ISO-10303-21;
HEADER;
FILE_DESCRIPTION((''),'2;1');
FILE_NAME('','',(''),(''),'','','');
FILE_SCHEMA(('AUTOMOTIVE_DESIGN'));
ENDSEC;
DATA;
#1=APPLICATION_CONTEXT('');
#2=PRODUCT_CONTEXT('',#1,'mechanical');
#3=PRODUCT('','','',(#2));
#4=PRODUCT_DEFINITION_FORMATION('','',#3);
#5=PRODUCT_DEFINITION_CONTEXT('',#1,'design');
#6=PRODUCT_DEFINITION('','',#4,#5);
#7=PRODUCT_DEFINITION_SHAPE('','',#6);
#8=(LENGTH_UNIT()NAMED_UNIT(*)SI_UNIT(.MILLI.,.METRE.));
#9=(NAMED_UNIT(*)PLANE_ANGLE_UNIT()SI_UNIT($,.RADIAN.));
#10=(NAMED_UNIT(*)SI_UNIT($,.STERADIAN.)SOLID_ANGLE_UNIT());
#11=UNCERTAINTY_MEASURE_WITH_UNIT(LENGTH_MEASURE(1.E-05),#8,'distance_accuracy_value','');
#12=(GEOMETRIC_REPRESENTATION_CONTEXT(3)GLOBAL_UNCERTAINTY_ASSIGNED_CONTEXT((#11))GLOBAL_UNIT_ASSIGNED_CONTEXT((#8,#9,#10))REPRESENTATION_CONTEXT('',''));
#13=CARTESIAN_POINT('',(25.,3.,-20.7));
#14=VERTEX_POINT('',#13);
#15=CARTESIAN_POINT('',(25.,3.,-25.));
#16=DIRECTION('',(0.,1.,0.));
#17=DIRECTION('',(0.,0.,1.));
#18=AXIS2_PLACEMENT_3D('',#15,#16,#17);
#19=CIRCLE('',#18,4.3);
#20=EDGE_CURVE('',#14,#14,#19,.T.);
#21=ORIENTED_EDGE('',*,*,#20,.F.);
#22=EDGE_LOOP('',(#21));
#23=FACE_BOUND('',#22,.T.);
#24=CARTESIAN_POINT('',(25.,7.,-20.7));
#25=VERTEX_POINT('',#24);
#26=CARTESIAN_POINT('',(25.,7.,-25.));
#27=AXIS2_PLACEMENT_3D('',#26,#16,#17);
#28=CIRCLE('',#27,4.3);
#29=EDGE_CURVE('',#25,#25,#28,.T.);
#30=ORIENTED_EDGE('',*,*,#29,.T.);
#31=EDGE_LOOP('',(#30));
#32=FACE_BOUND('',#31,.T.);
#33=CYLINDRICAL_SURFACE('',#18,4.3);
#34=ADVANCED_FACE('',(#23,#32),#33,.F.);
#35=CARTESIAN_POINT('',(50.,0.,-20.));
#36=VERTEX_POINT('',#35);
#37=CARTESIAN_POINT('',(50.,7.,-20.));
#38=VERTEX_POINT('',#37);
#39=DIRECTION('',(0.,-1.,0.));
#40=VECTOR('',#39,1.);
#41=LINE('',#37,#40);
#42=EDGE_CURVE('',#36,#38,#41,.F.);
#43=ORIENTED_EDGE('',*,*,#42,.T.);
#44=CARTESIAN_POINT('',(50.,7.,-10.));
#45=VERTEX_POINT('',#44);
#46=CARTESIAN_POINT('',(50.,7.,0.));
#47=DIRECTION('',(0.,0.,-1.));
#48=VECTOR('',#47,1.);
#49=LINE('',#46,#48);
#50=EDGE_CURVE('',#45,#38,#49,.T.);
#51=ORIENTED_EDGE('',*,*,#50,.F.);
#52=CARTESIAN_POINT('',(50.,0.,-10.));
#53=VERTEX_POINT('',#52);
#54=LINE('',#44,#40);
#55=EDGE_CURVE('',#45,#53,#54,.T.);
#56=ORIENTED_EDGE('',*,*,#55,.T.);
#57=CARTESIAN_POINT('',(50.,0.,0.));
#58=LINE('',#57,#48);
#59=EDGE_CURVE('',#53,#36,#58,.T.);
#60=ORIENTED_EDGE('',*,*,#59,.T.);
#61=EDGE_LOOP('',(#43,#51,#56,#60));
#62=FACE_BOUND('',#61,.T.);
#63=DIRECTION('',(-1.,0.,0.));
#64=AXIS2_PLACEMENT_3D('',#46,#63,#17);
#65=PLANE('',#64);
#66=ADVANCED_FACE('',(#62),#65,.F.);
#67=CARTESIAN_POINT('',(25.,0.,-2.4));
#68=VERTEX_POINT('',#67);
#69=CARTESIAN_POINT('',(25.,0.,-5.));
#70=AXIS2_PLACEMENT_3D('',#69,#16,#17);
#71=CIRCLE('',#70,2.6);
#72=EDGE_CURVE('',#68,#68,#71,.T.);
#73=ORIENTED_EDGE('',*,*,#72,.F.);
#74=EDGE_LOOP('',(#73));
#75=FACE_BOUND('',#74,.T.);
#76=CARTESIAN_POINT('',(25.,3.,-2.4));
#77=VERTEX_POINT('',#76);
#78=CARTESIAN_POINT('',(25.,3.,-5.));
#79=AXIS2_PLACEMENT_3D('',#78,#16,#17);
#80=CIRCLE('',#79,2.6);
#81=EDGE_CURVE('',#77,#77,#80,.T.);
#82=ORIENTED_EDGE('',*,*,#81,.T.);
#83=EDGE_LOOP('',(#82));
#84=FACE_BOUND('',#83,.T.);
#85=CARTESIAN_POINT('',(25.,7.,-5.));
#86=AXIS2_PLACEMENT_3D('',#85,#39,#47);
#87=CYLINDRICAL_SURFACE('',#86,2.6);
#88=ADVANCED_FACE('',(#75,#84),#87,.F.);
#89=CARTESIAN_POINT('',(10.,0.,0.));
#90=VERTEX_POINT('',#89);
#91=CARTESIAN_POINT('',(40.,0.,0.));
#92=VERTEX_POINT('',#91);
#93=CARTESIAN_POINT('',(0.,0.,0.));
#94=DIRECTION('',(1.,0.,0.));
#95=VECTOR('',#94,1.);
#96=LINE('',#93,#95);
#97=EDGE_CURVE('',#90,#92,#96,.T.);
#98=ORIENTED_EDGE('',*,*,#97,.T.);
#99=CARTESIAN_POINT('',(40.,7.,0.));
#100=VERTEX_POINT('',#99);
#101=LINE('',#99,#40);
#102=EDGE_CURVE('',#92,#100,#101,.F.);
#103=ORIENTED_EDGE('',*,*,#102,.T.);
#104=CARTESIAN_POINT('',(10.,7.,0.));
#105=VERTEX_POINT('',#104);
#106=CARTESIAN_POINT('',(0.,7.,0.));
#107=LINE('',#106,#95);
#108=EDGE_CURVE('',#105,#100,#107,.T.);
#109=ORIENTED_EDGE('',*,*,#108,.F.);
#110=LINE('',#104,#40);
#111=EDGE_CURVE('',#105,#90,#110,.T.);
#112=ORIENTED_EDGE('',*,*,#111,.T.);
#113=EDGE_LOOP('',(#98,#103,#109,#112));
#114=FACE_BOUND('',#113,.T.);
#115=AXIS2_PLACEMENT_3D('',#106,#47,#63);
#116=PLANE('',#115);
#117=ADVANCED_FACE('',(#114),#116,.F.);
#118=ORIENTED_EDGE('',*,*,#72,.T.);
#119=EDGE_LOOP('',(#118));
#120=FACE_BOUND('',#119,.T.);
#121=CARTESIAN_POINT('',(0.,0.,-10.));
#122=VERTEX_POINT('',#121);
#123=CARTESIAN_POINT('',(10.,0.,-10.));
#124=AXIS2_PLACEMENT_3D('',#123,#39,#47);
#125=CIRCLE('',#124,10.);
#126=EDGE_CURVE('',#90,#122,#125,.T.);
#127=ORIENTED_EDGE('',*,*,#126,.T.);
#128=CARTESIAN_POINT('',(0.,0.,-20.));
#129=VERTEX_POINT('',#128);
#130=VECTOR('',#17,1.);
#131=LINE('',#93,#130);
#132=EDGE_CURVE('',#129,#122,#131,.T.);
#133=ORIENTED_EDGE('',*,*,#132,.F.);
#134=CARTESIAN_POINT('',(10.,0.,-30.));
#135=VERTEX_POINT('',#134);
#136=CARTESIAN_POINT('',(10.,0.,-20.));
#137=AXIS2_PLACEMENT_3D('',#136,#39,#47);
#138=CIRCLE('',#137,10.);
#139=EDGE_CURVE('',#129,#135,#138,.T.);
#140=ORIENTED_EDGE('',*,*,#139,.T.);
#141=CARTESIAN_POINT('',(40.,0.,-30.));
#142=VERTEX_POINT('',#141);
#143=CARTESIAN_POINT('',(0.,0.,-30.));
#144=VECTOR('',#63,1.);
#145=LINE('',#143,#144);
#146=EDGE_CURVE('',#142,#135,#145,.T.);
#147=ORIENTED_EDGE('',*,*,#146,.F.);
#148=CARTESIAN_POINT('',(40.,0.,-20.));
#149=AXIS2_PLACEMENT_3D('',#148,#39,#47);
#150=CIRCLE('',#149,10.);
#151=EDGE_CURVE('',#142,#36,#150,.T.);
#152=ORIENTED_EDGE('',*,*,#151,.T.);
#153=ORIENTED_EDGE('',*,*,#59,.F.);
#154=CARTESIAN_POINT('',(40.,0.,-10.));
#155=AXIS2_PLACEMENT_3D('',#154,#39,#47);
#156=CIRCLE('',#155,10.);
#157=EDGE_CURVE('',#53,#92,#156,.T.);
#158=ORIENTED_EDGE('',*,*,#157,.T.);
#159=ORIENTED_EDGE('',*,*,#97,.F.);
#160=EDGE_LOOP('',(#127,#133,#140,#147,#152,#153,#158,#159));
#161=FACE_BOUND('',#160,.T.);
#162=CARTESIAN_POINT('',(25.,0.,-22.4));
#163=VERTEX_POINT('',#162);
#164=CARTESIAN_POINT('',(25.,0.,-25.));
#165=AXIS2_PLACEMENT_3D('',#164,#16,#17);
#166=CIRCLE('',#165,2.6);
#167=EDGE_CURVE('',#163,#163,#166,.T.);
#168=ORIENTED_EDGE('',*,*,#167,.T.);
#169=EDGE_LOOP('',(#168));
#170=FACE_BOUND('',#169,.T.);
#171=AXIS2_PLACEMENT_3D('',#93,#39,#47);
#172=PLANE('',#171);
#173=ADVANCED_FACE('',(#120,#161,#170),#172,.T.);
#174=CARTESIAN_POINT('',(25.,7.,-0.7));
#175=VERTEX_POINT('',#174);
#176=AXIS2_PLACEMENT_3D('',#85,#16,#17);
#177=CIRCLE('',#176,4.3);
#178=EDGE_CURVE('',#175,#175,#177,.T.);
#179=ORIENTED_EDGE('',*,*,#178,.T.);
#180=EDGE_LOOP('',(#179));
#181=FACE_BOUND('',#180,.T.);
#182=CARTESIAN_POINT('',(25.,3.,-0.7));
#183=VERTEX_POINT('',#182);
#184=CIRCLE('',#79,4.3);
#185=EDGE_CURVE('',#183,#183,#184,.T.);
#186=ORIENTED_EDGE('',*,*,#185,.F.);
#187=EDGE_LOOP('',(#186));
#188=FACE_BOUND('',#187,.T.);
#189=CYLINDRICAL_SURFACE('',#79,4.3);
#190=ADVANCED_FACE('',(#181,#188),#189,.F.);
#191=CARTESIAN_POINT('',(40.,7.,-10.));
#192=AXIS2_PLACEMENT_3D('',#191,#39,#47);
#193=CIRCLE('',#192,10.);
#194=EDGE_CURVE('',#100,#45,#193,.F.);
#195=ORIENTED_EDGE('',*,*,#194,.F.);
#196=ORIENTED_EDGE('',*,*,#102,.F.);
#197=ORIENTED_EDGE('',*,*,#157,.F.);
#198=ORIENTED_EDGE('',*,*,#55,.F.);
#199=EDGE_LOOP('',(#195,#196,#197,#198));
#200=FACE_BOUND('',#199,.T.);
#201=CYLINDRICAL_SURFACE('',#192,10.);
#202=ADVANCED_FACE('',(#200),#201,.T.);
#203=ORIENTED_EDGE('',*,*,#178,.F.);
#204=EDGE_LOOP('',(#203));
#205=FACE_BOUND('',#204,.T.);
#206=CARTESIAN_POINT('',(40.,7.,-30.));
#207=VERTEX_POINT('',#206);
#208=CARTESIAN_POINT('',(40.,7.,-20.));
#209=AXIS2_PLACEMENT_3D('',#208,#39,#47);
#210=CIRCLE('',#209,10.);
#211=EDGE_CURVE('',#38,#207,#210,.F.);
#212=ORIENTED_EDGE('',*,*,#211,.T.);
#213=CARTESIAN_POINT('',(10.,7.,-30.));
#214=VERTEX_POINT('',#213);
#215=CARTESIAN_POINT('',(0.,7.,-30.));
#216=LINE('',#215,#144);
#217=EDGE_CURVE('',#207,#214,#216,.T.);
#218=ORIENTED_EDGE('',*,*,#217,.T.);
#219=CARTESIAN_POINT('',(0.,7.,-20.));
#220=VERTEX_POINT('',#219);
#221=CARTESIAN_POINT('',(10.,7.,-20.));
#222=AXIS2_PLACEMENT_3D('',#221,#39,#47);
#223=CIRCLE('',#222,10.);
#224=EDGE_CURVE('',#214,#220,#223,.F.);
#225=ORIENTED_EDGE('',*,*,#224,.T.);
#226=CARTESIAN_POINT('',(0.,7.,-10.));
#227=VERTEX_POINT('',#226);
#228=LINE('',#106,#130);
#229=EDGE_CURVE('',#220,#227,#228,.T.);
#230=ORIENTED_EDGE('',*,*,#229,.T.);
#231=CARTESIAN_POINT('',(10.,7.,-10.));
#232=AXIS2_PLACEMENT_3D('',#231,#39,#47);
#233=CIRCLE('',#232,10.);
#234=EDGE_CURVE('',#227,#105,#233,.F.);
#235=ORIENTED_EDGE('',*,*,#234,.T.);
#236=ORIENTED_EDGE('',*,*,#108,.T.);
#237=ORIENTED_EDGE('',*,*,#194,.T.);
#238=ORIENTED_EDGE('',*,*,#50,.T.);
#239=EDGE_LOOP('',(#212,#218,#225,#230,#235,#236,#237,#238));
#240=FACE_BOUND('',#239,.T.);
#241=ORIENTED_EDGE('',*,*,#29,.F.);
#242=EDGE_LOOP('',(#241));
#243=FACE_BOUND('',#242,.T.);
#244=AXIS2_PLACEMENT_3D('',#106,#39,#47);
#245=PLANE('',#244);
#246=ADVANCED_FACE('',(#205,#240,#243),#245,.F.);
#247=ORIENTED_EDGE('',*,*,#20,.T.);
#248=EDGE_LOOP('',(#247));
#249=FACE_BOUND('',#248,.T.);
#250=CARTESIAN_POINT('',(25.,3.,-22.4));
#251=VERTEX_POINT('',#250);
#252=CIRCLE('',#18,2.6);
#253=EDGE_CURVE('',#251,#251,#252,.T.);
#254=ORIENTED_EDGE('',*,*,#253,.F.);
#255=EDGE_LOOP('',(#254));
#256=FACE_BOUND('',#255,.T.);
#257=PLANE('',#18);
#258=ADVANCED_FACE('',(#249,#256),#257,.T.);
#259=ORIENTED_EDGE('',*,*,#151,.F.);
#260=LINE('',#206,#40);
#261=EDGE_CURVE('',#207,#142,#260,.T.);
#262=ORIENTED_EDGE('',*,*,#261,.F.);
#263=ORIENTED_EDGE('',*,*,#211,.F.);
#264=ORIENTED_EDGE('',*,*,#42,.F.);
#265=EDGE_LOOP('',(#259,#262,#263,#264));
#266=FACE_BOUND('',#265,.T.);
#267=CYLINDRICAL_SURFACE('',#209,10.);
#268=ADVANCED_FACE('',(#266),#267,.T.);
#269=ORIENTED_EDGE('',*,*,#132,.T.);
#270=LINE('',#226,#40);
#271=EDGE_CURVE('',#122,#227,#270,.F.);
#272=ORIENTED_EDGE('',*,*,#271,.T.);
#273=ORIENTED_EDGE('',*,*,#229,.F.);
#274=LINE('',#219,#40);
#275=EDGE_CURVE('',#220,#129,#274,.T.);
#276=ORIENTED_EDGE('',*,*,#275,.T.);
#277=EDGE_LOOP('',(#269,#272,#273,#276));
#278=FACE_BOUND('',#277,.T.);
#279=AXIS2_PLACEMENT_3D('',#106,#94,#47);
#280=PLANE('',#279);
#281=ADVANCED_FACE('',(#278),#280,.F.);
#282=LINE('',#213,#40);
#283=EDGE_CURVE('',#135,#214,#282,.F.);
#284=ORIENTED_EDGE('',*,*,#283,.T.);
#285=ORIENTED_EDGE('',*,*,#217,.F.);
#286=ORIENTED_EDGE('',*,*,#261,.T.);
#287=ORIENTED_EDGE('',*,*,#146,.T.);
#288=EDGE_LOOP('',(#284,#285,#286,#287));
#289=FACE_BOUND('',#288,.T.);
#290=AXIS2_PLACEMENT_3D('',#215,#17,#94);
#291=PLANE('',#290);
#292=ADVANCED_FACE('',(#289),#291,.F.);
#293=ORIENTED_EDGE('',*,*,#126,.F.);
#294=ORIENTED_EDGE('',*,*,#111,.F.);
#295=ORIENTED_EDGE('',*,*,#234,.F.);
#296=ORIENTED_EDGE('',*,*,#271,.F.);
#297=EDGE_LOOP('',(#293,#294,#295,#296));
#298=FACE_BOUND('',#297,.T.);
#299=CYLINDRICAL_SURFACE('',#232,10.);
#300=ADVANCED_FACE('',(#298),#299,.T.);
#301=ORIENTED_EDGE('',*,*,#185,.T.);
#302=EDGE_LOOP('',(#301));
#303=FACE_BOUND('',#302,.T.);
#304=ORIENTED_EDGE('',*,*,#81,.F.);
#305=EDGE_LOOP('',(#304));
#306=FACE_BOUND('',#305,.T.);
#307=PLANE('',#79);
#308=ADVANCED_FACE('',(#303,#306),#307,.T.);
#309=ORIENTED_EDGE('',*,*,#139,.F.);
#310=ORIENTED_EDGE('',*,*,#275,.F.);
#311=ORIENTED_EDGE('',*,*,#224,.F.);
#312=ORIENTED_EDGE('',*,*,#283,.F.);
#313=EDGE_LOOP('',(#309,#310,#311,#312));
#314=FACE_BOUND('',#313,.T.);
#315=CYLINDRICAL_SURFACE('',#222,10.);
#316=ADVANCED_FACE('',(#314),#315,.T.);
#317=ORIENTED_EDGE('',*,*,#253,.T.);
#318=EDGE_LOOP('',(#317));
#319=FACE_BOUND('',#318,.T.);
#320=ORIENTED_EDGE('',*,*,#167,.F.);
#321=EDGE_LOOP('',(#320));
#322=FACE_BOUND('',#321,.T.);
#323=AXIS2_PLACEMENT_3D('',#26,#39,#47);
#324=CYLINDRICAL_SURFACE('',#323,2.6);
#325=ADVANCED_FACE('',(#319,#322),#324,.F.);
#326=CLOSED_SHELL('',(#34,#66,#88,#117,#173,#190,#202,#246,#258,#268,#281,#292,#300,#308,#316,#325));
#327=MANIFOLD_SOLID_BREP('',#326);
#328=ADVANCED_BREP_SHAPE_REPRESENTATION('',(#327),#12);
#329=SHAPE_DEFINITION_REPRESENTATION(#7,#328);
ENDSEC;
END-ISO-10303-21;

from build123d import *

# Parameters (mm, degrees)
SKETCH1_W           = 50
SKETCH1_H           = 30
SKETCH1_R           = 2.6
BOSS_EXTRUDE1_DEPTH = 7
FILLET1_R           = 10
SKETCH2_R           = 4.3
CUT_EXTRUDE1_DEPTH  = 4


with BuildPart() as part:
    # Sketch1 → Boss-Extrude1 (new body)
    with BuildSketch(Plane(origin=(0, 0, 0), x_dir=(1, 0, 0), z_dir=(0, 1, 0))):
        with Locations((25, 15)):
            Rectangle(SKETCH1_W, SKETCH1_H)
        with Locations(Location((25, 25, 0), (0, 0, 270))):
            Circle(SKETCH1_R, mode=Mode.SUBTRACT)
        with Locations(Location((25, 5, 0), (0, 0, 270))):
            Circle(SKETCH1_R, mode=Mode.SUBTRACT)
    extrude(amount=BOSS_EXTRUDE1_DEPTH)

    # Fillet1
    fillet1_edges = [part.edges().sort_by_distance(p)[0] for p in [
        (0, 3.5, -30),
        (50, 3.5, -30),
        (50, 3.5, 0),
        (0, 3.5, 0),
    ]]
    fillet(fillet1_edges, radius=FILLET1_R)

    # Sketch2 → Cut-Extrude1 (cut)
    with BuildSketch(Plane(origin=(0, 7, 0), x_dir=(1, 0, 0), z_dir=(0, 1, 0))):
        with Locations(Location((25, 25, 0), (0, 0, 270))):
            Circle(SKETCH2_R)
        with Locations(Location((25, 5, 0), (0, 0, 270))):
            Circle(SKETCH2_R)
    extrude(amount=-CUT_EXTRUDE1_DEPTH, mode=Mode.SUBTRACT)


solid = part.part
